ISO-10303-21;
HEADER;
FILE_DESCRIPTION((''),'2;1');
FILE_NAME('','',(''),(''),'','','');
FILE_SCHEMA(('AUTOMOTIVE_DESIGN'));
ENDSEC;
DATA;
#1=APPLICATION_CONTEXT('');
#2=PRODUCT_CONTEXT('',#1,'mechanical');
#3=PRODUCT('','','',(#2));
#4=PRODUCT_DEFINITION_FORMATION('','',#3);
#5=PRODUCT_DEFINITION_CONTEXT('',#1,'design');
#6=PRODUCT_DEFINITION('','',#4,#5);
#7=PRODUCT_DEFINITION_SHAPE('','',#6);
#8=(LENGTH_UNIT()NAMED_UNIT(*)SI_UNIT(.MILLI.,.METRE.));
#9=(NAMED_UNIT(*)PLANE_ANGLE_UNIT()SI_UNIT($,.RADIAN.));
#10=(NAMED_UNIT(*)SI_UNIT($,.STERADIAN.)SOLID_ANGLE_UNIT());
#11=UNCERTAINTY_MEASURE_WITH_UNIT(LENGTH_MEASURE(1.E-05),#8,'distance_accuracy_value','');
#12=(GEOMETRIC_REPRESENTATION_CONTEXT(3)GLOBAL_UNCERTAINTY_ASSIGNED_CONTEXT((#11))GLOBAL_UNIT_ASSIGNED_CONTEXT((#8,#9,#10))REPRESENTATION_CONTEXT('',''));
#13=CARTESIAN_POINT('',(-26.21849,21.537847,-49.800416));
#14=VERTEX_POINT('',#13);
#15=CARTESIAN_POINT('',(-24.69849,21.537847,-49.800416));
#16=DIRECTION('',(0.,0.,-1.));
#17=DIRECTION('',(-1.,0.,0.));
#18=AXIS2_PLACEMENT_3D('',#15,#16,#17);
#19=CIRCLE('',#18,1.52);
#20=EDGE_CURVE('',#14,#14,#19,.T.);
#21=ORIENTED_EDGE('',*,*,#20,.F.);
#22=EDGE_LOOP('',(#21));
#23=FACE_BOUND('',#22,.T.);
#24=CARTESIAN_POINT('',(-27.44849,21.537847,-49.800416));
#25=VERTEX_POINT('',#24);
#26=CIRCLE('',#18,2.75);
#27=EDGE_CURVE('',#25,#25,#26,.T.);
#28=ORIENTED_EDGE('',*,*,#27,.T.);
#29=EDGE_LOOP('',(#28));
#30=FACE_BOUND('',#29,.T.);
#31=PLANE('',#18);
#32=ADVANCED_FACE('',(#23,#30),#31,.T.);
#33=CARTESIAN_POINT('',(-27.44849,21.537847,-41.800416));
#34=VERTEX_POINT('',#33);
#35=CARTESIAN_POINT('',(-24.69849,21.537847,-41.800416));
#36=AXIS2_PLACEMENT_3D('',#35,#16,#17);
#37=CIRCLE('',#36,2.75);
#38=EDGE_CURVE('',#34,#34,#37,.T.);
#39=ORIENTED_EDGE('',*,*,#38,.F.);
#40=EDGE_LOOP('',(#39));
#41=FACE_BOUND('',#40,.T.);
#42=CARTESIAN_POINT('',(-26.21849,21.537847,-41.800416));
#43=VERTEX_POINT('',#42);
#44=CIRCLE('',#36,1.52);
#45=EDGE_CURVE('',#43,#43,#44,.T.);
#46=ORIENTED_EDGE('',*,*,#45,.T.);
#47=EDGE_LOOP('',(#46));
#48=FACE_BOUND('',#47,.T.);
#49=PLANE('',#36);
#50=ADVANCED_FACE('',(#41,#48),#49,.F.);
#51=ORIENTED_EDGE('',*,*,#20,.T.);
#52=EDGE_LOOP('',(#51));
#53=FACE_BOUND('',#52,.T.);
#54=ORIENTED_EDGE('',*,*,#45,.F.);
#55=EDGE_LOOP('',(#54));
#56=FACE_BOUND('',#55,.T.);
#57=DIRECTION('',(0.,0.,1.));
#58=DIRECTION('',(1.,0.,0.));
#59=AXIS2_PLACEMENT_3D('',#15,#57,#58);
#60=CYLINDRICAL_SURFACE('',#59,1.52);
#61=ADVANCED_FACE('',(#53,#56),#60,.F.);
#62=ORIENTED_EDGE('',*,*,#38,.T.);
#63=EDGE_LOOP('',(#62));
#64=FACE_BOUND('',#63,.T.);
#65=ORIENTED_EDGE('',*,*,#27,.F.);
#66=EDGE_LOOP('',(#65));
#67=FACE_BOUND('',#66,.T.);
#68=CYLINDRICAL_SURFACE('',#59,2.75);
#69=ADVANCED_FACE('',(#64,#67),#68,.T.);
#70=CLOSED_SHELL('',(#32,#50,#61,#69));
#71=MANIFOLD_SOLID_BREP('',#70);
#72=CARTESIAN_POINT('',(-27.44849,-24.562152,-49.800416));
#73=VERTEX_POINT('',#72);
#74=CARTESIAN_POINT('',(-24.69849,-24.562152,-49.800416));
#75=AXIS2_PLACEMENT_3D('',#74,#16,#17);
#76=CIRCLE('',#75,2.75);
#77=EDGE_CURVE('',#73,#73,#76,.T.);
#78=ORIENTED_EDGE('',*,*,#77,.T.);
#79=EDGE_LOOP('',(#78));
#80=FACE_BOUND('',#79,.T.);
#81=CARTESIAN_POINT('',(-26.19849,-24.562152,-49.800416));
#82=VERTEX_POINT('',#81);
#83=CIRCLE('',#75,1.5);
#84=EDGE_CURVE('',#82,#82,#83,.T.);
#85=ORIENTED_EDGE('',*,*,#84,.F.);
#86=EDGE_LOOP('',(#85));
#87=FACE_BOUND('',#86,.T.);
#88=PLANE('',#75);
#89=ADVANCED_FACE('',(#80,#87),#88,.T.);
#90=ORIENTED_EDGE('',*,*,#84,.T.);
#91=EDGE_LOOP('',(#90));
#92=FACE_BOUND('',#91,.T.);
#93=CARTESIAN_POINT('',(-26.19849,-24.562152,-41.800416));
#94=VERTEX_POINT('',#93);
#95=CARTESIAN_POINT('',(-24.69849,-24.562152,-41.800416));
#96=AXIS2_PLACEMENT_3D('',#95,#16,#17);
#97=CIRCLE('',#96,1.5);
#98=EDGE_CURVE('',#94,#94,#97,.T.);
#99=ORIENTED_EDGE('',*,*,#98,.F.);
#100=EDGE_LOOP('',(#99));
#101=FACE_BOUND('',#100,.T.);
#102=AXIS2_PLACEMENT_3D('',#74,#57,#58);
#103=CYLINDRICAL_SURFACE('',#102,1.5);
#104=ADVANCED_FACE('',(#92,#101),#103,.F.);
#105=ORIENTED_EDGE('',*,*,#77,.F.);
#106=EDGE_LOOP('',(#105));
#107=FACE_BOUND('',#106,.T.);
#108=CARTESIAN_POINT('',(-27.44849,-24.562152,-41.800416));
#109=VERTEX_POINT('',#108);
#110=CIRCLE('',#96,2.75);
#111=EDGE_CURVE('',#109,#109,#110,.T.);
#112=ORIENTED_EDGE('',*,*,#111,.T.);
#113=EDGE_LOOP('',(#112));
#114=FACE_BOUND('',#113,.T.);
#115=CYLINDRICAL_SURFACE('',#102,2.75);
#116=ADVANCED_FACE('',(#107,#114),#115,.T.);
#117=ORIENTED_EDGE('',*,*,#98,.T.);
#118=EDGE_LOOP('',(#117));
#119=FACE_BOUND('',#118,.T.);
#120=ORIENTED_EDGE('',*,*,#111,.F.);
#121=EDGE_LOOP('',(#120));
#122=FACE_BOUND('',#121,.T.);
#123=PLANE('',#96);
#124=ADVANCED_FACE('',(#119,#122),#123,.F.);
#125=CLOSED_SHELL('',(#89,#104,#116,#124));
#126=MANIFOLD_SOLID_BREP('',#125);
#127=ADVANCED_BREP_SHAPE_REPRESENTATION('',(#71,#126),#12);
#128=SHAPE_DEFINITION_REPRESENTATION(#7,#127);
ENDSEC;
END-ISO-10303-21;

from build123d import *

# Parameters (mm, degrees)
EXTRUDE_START     = -41.800416
SKETCH_1_R        = 2.75
SKETCH_1_R_2      = 1.52
EXTRUDE_1_DEPTH   = 8
SKETCH_1_R_3      = 1.5
EXTRUDE_1_2_DEPTH = 8


with BuildPart() as part:
    # 草图1 → 凸台-拉伸1 (new body)
    with BuildSketch(Plane.XY.offset(EXTRUDE_START)):
        with Locations(Location((-24.698490112, 21.537847164, 0), (0, 0, 180))):
            Circle(SKETCH_1_R)
        with Locations(Location((-24.698490112, 21.537847164, 0), (0, 0, 180))):
            Circle(SKETCH_1_R_2, mode=Mode.SUBTRACT)
    extrude(amount=-EXTRUDE_1_DEPTH)


with BuildPart() as body_2:
    # 草图1 → Extrude 1 2 (new body)
    with BuildSketch(Plane.XY.offset(EXTRUDE_START)):
        with Locations(Location((-24.698490112, -24.562152076, 0), (0, 0, 180))):
            Circle(SKETCH_1_R)
        with Locations(Location((-24.698490112, -24.562152076, 0), (0, 0, 180))):
            Circle(SKETCH_1_R_3, mode=Mode.SUBTRACT)
    extrude(amount=-EXTRUDE_1_2_DEPTH)


solid = Compound([part.part, body_2.part])
